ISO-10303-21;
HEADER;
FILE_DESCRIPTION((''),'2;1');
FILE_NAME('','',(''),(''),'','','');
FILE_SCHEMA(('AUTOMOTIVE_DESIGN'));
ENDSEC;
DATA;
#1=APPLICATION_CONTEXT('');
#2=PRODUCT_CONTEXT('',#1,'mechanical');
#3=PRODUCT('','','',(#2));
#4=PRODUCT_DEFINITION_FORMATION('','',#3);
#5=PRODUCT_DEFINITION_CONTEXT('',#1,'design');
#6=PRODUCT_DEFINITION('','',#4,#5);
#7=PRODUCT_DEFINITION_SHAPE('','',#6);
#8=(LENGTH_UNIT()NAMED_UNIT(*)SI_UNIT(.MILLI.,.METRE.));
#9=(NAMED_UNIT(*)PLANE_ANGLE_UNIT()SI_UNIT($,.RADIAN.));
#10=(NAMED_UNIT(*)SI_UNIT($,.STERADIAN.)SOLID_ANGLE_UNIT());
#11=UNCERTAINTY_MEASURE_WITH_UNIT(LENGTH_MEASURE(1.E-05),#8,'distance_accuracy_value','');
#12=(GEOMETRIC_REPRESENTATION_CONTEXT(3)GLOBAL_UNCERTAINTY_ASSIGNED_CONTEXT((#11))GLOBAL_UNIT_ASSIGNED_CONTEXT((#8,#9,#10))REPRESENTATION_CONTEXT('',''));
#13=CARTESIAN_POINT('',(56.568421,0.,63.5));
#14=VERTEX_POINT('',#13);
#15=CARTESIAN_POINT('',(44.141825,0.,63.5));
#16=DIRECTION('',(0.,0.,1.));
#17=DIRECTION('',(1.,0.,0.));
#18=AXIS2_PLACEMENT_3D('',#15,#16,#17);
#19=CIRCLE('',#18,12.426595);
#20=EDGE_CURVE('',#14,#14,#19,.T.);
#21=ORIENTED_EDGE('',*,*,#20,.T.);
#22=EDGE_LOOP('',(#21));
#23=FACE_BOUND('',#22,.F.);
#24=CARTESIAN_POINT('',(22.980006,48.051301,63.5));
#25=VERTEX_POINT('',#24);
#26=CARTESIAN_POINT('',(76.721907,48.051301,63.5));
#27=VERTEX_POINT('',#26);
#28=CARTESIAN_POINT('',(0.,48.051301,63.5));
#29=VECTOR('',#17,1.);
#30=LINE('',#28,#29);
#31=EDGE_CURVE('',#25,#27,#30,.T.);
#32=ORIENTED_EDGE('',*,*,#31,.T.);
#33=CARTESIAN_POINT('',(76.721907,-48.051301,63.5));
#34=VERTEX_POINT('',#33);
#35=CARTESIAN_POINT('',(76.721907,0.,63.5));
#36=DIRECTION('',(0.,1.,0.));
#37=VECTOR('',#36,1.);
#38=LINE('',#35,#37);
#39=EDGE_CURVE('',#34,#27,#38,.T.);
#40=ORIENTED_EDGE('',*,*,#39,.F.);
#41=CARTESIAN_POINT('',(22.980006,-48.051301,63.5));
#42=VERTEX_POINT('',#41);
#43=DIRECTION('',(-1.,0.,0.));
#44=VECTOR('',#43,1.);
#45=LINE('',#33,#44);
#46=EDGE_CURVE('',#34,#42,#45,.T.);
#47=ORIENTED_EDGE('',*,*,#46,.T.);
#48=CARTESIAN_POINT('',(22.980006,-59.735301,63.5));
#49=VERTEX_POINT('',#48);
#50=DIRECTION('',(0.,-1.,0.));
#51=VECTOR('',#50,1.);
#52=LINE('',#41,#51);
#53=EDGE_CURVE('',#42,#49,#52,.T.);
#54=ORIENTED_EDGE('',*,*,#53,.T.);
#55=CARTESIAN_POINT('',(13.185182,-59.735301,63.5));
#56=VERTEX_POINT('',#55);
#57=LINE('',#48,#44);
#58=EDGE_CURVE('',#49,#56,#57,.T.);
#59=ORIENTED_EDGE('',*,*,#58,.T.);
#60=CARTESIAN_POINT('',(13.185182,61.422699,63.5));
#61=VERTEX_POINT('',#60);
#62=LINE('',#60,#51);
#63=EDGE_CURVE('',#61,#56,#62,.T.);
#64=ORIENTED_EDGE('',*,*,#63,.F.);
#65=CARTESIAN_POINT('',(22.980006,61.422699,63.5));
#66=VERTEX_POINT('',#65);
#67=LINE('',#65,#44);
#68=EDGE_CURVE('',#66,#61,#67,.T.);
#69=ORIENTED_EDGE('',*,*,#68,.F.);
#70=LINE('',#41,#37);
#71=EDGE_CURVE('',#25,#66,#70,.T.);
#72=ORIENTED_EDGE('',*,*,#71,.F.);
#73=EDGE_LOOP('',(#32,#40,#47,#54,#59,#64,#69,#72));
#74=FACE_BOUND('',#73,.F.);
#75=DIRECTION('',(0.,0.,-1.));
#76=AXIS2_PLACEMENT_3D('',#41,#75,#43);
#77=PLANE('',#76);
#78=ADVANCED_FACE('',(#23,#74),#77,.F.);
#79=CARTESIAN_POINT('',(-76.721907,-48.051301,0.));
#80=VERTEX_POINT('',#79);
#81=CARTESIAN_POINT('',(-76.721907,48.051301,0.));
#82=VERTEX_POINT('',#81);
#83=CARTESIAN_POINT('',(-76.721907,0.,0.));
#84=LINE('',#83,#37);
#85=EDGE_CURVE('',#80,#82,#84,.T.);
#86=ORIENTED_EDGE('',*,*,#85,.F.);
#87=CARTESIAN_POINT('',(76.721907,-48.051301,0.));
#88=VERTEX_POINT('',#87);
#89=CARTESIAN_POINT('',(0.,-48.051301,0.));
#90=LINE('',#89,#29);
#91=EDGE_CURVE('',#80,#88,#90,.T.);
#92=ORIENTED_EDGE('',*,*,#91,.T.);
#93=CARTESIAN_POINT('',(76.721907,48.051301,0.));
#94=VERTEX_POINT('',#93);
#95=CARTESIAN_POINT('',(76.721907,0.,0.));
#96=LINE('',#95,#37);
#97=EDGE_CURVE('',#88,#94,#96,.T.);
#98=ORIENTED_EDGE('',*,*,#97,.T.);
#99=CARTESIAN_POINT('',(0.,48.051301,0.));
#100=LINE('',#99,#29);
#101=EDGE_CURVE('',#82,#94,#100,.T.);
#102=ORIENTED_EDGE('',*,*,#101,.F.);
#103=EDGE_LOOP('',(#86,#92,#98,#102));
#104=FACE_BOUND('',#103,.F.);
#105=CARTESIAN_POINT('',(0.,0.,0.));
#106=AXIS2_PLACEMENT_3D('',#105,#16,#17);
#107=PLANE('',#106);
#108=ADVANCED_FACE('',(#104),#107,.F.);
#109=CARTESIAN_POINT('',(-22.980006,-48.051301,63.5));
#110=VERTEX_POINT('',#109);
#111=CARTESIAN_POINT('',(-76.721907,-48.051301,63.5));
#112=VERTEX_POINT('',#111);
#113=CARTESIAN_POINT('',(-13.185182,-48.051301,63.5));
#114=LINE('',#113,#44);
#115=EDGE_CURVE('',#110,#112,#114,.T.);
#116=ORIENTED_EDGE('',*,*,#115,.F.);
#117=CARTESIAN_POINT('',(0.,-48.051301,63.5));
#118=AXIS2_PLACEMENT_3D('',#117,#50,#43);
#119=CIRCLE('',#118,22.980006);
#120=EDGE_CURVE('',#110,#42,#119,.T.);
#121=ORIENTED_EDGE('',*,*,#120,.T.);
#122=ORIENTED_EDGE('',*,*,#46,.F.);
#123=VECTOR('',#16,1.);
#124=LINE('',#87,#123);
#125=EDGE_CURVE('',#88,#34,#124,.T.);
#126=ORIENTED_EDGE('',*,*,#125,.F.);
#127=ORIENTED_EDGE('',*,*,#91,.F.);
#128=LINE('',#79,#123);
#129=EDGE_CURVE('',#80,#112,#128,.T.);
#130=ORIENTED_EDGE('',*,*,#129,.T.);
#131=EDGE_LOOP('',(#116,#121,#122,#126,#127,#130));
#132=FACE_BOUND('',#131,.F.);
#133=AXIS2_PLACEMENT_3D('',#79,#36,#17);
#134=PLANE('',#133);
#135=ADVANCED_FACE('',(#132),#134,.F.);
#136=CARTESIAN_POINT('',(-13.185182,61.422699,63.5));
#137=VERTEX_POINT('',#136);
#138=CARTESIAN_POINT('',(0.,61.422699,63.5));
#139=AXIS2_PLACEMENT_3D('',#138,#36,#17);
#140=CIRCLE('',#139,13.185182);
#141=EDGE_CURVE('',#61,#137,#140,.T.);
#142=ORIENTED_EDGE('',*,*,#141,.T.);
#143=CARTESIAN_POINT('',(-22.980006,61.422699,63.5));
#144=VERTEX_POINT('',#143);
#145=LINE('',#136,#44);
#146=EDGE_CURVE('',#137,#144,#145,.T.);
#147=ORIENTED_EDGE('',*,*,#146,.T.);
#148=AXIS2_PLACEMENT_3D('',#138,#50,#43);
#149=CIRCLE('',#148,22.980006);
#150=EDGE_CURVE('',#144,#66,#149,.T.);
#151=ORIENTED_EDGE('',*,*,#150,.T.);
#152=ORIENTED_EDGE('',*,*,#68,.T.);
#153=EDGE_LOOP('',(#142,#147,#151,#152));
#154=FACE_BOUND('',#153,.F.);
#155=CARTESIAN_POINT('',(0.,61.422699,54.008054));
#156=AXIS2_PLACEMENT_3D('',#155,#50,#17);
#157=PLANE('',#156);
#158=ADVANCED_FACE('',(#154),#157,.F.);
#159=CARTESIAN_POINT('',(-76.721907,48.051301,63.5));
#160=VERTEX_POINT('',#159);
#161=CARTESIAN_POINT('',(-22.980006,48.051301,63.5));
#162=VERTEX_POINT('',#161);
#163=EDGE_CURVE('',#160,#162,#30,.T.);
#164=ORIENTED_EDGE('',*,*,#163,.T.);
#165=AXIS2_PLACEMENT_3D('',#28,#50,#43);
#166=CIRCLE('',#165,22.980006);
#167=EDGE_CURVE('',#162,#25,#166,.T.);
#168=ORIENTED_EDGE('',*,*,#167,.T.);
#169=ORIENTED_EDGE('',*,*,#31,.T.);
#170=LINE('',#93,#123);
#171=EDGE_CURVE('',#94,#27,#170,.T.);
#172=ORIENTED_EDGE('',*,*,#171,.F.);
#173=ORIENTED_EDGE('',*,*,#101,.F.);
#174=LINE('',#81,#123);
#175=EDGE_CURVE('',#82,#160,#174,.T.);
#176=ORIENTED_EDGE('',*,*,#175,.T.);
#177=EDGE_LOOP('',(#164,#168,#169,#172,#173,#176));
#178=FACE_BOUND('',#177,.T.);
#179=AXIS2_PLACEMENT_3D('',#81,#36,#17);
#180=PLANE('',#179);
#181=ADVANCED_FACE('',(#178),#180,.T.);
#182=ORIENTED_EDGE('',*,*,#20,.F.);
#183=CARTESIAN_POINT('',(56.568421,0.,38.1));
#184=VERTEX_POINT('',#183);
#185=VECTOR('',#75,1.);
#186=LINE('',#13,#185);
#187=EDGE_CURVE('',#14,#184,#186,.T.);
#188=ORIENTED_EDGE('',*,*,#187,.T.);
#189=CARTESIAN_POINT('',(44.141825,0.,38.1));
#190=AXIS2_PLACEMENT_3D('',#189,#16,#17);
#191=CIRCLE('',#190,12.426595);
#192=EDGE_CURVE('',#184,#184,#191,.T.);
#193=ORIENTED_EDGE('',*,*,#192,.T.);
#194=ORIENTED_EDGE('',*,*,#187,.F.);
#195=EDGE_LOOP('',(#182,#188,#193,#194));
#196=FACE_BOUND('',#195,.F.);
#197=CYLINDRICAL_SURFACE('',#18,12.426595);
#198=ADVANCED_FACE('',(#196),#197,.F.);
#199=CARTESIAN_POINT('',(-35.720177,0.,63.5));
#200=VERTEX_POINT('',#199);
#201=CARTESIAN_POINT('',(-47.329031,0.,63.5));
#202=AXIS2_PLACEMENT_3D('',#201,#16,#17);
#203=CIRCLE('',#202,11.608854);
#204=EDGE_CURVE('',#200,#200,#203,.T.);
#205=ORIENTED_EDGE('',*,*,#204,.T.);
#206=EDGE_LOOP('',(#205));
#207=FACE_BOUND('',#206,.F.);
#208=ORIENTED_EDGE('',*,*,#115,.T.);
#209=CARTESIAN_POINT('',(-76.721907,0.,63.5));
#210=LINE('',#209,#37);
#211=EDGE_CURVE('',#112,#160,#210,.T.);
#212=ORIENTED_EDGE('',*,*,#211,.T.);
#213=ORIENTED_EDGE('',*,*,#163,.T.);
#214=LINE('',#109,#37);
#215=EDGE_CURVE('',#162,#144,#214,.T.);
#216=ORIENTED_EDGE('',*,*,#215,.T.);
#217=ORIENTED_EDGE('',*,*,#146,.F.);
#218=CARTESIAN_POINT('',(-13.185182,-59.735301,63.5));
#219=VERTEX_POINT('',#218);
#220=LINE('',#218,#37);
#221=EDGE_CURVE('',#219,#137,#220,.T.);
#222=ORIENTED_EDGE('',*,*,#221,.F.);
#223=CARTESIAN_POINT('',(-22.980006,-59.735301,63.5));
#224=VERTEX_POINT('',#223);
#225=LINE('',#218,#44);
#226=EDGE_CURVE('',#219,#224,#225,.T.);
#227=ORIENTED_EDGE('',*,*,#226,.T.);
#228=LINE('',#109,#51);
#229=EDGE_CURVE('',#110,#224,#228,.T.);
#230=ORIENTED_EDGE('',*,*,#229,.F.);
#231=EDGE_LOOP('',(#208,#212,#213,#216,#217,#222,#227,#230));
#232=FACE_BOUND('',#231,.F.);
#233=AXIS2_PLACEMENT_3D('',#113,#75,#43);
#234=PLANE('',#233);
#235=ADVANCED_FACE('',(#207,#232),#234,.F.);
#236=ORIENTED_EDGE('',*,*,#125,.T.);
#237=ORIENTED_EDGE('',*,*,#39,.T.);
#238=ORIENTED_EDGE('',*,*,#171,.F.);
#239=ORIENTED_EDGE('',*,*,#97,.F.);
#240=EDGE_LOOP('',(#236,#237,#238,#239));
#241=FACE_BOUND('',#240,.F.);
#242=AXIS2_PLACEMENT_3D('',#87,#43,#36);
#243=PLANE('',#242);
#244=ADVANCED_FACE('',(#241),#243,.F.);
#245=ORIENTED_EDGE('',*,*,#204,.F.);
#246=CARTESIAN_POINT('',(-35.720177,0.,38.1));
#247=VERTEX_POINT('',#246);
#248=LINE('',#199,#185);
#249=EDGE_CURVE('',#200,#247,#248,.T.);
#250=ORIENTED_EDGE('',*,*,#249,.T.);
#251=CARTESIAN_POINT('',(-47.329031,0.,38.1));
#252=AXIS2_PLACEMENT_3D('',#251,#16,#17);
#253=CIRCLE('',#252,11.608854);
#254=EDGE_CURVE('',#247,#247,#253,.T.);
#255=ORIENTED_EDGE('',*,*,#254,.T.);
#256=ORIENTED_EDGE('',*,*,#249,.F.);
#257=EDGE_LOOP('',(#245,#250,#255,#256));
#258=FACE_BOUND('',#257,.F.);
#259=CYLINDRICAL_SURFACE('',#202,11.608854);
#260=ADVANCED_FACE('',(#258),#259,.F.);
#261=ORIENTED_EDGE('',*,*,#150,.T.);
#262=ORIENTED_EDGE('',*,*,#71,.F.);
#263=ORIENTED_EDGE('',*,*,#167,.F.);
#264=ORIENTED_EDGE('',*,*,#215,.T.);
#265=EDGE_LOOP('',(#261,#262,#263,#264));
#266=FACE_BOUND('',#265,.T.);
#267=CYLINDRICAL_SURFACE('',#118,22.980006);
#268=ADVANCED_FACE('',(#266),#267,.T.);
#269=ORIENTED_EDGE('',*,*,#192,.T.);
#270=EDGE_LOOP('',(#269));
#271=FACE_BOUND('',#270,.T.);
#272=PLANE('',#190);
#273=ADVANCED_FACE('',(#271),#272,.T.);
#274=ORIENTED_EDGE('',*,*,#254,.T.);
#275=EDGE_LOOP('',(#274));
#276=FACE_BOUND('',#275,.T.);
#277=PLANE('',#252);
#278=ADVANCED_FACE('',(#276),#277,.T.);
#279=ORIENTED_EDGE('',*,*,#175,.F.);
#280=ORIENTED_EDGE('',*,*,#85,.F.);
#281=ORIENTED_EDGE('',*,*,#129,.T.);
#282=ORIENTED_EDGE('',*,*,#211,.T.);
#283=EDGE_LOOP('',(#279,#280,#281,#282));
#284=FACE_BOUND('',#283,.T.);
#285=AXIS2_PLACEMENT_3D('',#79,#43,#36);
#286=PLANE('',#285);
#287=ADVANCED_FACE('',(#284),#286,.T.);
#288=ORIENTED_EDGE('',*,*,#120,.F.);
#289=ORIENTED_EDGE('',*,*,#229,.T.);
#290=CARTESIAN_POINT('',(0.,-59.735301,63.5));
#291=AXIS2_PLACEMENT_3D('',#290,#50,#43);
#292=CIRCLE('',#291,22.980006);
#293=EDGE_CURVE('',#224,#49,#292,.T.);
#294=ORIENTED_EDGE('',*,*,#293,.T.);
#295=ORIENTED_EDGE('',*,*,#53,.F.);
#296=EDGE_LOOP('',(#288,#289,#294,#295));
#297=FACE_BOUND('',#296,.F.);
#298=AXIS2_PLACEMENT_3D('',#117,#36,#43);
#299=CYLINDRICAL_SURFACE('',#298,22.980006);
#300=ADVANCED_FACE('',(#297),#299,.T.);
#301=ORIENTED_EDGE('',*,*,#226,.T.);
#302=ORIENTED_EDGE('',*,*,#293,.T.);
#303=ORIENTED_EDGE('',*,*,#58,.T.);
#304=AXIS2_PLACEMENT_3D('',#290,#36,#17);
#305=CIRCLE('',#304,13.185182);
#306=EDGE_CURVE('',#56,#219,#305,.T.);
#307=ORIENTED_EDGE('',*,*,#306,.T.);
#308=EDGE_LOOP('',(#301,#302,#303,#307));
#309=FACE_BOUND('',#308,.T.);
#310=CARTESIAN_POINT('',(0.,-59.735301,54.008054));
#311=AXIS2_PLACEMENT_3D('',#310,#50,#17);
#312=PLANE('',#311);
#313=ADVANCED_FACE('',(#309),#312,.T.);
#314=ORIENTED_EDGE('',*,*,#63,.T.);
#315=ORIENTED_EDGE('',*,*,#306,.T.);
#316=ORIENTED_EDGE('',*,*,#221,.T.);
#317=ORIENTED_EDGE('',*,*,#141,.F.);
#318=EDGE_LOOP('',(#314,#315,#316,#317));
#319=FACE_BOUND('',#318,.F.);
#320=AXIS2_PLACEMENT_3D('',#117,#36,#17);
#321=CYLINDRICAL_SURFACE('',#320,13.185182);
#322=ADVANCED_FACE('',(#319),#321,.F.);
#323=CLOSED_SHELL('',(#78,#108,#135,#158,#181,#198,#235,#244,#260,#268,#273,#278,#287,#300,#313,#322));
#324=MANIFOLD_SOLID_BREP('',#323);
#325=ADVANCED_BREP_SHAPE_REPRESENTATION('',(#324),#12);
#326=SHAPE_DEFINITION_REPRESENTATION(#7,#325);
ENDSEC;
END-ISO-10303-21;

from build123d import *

# Parameters (mm, degrees)
F0_W          = 153.443813324
F0_H          = 96.1026027799
F1_DEPTH      = 63.5
F2_R          = 11.6088535247
F2_R_2        = 12.4265954899
F3_DEPTH      = 25.4
F5_DEPTH      = 96.1036027799
F6_DEPTH      = 109.474
F6_DEPTH_BACK = 11.684


with BuildPart() as f1:
    # F0 (on Top) → F1 (new body)
    with BuildSketch(Plane.XY):
        Rectangle(F0_W, F0_H)
    extrude(amount=F1_DEPTH)

    # F2 (on face) → F3 (cut)
    with BuildSketch(Plane.XY.offset(63.5)):
        with Locations((-47.329030931, 0)):
            Circle(F2_R)
        with Locations((44.1418252885, 0)):
            Circle(F2_R_2)
    extrude(amount=-F3_DEPTH, mode=Mode.SUBTRACT)

    # F4 (on face) → F5 (cut, through all)
    with BuildSketch(Plane.XZ.offset(48.0513013899)):
        with BuildLine():
            ThreePointArc((-13.1851819962, 63.5), (0, 50.3148180038), (13.1851819962, 63.5))
            Line((13.1851819962, 63.5), (-13.1851819962, 63.5))
        make_face()
    extrude(amount=-F5_DEPTH, mode=Mode.SUBTRACT)

    # F4 (on face) → F6 (join, two sides)
    with BuildSketch(Plane.XZ.offset(48.0513013899)) as f6_sk:
        with BuildLine():
            ThreePointArc((-22.9800063856, 63.5), (0, 40.5199936144), (22.9800063856, 63.5))
            Line((22.9800063856, 63.5), (13.1851819962, 63.5))
            ThreePointArc((13.1851819962, 63.5), (0, 50.3148180038), (-13.1851819962, 63.5))
            Line((-13.1851819962, 63.5), (-22.9800063856, 63.5))
        make_face()
    extrude(amount=-F6_DEPTH)
    extrude(f6_sk.sketch, amount=F6_DEPTH_BACK)


solid = f1.part
